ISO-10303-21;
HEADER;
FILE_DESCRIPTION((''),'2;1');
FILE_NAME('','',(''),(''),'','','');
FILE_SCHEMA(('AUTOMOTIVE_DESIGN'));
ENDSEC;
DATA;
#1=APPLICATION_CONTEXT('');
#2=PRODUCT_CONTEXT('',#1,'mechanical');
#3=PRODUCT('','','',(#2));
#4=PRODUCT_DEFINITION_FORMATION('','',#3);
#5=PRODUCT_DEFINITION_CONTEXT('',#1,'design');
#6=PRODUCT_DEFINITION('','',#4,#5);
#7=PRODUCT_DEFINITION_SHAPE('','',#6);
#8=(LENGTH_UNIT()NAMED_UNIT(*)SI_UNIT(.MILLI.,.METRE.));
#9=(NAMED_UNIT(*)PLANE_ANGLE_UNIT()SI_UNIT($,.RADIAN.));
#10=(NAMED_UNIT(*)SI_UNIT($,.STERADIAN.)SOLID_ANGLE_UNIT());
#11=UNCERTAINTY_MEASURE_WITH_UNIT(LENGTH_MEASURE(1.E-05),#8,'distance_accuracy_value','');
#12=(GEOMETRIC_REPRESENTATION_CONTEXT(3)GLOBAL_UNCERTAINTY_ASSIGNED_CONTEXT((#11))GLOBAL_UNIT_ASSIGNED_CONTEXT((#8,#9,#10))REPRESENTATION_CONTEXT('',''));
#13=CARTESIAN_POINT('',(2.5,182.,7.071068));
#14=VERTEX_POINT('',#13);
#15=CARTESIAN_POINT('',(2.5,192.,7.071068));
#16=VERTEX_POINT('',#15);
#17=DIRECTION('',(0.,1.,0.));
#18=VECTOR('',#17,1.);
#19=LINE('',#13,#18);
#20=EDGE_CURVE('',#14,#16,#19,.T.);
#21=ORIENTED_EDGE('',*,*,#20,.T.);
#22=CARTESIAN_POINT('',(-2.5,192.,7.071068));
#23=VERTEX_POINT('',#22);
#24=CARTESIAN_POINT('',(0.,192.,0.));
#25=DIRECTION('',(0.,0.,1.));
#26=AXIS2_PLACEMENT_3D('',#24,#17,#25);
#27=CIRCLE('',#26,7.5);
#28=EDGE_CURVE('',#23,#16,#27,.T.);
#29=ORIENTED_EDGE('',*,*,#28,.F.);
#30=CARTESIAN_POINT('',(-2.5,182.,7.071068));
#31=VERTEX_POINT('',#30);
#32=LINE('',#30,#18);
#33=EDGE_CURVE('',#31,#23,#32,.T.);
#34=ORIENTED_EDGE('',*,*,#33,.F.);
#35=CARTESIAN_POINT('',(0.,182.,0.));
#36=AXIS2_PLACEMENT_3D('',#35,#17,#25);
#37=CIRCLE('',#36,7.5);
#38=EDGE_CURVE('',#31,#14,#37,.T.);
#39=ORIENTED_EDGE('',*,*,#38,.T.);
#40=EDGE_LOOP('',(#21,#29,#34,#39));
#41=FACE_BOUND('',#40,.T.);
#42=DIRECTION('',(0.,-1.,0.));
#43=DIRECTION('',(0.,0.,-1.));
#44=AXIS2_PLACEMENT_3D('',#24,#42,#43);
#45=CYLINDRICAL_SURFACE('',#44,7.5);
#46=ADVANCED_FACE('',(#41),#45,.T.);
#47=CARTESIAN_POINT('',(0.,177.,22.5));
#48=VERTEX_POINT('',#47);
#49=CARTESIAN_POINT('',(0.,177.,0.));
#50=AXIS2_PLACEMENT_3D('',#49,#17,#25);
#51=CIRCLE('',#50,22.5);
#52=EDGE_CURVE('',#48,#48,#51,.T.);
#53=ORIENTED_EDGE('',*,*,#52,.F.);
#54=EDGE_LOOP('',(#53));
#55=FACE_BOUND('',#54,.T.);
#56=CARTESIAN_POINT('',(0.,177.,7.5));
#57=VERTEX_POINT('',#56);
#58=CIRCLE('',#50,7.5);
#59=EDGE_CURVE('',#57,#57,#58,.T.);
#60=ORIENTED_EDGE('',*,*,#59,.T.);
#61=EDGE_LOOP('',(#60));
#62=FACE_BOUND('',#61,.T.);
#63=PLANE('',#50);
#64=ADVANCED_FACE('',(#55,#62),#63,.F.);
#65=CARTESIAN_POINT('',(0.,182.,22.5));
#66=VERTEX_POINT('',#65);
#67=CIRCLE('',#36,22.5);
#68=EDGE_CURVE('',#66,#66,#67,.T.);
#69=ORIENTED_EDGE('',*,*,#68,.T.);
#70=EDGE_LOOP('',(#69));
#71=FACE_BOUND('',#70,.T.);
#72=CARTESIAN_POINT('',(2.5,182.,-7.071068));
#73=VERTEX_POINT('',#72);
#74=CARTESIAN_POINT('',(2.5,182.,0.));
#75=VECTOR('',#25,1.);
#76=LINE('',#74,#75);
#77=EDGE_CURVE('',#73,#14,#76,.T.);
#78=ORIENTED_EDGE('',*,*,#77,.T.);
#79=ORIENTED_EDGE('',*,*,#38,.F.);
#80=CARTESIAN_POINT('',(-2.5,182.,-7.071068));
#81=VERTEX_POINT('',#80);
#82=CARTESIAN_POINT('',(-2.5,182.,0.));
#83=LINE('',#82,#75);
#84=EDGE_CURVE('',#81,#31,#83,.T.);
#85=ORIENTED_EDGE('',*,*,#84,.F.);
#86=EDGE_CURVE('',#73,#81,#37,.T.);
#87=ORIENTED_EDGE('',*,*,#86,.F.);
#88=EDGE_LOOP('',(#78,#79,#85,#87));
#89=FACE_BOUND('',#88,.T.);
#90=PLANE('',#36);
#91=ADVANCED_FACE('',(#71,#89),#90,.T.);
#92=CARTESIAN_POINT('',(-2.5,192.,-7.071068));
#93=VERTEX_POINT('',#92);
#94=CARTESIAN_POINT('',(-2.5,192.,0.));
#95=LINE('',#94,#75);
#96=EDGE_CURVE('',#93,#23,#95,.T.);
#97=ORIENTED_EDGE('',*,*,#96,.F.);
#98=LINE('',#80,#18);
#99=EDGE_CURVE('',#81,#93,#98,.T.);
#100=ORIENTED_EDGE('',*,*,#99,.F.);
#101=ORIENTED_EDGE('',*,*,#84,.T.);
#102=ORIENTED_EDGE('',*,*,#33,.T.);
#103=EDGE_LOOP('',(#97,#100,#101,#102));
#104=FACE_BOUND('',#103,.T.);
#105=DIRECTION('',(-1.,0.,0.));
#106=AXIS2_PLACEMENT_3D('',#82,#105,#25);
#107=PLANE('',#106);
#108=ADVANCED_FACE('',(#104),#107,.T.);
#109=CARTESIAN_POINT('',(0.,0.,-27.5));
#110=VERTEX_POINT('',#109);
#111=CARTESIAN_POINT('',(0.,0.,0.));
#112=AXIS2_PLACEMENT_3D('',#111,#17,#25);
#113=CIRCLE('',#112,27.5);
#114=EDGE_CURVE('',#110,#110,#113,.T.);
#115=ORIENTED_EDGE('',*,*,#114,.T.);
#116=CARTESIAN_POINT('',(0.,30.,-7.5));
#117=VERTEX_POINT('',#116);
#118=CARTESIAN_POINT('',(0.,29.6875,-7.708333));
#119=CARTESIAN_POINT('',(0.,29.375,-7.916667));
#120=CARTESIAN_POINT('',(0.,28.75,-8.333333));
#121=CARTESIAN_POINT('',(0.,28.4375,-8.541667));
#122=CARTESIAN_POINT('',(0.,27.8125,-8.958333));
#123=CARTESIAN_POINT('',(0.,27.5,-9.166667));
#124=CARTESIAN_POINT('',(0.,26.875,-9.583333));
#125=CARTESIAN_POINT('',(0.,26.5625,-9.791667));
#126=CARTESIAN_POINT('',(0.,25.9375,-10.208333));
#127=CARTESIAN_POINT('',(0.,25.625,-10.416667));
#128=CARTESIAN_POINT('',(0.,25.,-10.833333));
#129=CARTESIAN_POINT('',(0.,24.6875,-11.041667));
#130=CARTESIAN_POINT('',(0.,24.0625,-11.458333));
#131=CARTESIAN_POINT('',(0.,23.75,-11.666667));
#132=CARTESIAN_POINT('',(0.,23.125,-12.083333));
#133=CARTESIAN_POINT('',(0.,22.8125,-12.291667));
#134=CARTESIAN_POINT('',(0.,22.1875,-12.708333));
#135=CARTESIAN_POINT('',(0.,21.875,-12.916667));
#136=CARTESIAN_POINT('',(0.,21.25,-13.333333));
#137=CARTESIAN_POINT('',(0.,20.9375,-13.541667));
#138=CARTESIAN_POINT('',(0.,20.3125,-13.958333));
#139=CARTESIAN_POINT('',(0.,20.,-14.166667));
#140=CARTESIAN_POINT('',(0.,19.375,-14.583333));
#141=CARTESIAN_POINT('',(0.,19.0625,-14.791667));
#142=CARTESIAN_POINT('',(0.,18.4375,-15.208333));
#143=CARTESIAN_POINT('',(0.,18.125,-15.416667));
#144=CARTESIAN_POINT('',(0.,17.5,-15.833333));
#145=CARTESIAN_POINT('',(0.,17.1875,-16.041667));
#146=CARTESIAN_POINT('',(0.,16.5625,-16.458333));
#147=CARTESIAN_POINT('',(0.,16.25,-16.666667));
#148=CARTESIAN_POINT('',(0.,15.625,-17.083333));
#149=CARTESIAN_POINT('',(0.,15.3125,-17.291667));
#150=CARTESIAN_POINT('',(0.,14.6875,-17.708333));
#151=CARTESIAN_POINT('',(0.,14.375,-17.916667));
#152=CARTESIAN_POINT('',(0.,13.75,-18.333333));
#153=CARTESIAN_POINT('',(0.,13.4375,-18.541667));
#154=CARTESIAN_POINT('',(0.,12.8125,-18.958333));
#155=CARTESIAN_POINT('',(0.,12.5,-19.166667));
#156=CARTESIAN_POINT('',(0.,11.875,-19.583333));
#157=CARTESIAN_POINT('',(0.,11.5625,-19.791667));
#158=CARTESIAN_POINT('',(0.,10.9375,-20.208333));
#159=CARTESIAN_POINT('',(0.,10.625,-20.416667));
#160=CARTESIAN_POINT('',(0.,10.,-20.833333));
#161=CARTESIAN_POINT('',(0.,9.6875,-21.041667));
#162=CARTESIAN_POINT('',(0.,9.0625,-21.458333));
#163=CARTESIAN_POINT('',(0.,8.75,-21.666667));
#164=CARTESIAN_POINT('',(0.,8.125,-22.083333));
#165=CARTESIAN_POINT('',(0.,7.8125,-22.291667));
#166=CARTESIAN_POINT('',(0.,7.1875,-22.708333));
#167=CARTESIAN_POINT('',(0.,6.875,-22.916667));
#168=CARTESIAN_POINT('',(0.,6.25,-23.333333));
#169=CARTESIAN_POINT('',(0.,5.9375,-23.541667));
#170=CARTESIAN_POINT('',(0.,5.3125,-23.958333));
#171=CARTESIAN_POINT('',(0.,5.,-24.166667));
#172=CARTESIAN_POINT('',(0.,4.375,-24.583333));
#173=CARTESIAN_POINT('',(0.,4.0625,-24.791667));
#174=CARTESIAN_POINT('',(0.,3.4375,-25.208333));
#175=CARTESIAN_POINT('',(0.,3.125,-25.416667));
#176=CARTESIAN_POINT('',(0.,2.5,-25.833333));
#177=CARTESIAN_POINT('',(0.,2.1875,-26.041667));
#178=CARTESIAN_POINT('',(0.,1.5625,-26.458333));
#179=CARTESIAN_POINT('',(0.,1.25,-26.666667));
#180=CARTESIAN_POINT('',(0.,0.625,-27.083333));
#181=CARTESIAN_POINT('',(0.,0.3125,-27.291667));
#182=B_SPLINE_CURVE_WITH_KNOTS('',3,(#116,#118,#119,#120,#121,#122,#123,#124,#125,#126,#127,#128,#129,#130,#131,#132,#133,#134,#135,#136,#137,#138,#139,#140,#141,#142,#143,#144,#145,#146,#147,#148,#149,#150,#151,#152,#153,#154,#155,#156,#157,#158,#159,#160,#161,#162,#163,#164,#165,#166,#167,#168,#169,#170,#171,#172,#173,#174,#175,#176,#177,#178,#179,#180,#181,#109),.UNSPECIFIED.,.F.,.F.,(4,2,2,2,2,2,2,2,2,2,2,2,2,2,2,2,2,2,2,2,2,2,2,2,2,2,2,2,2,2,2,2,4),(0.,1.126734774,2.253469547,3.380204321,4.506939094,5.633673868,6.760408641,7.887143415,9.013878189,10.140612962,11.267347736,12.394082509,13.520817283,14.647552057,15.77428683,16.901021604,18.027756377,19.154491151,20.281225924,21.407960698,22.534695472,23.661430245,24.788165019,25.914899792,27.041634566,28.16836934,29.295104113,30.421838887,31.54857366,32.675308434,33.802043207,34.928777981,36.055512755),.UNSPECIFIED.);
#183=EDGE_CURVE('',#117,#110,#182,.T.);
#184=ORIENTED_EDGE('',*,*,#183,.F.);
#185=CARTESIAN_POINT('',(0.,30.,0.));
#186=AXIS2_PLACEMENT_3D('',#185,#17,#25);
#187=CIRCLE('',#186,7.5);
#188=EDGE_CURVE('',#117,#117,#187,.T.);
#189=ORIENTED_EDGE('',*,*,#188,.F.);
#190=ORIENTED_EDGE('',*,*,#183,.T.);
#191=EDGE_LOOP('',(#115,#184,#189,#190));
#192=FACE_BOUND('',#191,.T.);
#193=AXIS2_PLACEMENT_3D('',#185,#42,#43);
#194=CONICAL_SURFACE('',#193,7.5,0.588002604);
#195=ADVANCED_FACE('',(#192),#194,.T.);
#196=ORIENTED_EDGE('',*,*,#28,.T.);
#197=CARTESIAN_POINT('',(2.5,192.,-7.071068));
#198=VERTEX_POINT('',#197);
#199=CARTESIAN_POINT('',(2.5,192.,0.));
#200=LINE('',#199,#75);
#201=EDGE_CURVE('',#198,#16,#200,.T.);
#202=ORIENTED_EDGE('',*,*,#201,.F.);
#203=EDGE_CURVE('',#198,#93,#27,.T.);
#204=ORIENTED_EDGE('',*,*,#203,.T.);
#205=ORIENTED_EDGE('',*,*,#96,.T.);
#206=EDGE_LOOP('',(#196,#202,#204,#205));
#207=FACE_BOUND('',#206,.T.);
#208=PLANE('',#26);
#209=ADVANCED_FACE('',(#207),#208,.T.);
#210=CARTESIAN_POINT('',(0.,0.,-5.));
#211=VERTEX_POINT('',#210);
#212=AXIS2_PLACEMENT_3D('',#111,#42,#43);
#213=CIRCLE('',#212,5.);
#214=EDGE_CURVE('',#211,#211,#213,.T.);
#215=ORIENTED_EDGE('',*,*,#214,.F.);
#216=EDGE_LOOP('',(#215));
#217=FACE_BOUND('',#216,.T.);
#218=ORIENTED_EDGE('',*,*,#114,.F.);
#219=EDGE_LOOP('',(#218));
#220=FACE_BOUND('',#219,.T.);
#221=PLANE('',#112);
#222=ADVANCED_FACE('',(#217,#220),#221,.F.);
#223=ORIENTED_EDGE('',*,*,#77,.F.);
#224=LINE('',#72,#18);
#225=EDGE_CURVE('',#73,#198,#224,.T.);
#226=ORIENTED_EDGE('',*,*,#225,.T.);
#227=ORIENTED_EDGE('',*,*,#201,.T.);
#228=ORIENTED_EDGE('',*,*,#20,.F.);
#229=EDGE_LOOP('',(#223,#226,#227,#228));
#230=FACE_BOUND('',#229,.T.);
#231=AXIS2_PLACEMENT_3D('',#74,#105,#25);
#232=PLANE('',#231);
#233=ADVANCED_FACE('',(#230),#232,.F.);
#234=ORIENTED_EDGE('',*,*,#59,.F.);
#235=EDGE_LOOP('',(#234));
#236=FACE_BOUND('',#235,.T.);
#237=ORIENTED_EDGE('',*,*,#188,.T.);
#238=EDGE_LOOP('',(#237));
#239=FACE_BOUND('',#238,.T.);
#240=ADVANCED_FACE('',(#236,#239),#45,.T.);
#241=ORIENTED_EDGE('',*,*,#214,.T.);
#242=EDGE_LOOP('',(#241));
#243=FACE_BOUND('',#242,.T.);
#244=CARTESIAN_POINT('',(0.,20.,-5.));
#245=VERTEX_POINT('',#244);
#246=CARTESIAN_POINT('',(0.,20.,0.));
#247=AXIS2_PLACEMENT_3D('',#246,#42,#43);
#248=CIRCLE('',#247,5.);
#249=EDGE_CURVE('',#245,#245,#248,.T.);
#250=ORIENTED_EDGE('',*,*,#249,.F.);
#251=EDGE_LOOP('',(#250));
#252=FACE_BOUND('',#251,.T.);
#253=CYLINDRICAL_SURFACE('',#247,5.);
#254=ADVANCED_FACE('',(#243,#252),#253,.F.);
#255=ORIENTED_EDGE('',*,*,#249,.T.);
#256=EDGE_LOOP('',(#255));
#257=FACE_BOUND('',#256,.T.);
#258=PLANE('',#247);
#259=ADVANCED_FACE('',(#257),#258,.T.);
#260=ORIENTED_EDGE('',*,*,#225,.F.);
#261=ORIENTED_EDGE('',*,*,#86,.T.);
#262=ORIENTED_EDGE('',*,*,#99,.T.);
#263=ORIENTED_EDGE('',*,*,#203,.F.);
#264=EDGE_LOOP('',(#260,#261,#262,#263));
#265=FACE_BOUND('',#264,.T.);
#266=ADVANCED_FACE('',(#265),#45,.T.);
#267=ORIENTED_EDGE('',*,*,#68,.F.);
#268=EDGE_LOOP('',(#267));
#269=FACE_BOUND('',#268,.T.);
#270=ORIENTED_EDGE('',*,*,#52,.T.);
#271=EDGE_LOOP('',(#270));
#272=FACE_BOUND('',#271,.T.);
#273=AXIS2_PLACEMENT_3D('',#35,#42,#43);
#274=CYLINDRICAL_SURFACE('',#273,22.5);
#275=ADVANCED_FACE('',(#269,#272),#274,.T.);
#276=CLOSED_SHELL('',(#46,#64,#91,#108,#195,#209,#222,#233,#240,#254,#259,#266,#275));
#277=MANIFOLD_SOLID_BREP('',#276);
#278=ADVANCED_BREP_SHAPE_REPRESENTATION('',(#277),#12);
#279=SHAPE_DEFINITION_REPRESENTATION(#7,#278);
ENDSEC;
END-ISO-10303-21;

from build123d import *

# Parameters (mm, degrees)
SKETCH2_R           = 7.5
SKETCH1_R           = 27.5
SKETCH2_2_R         = 7.5
BOSS_EXTRUDE1_DEPTH = 162
SKETCH3_R           = 22.5
BOSS_EXTRUDE2_DEPTH = 5
CUT_EXTRUDE3_START  = -10
CUT_EXTRUDE3_DEPTH  = 10
SKETCH21_R          = 5
CUT_EXTRUDE4_DEPTH  = 20


with BuildPart() as part:
    # Sketch2 → Loft1 section 0
    with BuildSketch(Plane(origin=(0, 30, 0), x_dir=(1, 0, 0), z_dir=(0, 1, 0))):
        Circle(SKETCH2_R)
    # Sketch1 → Loft1 section 1
    with BuildSketch(Plane(origin=(0, 0, 0), x_dir=(1, 0, 0), z_dir=(0, 1, 0))):
        Circle(SKETCH1_R)
    loft()

    # Sketch2<2> → Boss-Extrude1 (add)
    with BuildSketch(Plane(origin=(0, 30, 0), x_dir=(1, 0, 0), z_dir=(0, 1, 0))):
        with Locations(Location((0, 0, 0), (0, 0, 90))):
            Circle(SKETCH2_2_R)
    extrude(amount=BOSS_EXTRUDE1_DEPTH)

    # Sketch3 → Boss-Extrude2 (add)
    with BuildSketch(Plane(origin=(0, 177, 0), x_dir=(1, 0, 0), z_dir=(0, 1, 0))):
        with Locations(Location((0, 0, 0), (0, 0, 270))):
            Circle(SKETCH3_R)
    extrude(amount=BOSS_EXTRUDE2_DEPTH)

    # Sketch5 → Cut-Extrude3 (cut)
    with BuildSketch(Plane(origin=(0, 192, 0), x_dir=(1, 0, 0), z_dir=(0, 1, 0)).offset(CUT_EXTRUDE3_START)):
        with BuildLine():
            ThreePointArc((7.5, 0), (6.123724357, 4.330127019), (2.5, 7.071067812))
            Line((2.5, 7.071067812), (2.5, -7.071067812))
            ThreePointArc((2.5, -7.071067812), (6.123724357, -4.330127019), (7.5, 0))
        make_face()
        with BuildLine():
            Line((-2.5, -7.071067812), (-2.5, 7.071067812))
            ThreePointArc((-2.5, 7.071067812), (-7.5, 0), (-2.5, -7.071067812))
        make_face()
    extrude(amount=CUT_EXTRUDE3_DEPTH, mode=Mode.SUBTRACT)

    # Sketch21 → Cut-Extrude4 (cut)
    with BuildSketch(Plane.XZ):
        with Locations(Location((0, 0, 0), (0, 0, 270))):
            Circle(SKETCH21_R)
    extrude(amount=-CUT_EXTRUDE4_DEPTH, mode=Mode.SUBTRACT)


solid = part.part
